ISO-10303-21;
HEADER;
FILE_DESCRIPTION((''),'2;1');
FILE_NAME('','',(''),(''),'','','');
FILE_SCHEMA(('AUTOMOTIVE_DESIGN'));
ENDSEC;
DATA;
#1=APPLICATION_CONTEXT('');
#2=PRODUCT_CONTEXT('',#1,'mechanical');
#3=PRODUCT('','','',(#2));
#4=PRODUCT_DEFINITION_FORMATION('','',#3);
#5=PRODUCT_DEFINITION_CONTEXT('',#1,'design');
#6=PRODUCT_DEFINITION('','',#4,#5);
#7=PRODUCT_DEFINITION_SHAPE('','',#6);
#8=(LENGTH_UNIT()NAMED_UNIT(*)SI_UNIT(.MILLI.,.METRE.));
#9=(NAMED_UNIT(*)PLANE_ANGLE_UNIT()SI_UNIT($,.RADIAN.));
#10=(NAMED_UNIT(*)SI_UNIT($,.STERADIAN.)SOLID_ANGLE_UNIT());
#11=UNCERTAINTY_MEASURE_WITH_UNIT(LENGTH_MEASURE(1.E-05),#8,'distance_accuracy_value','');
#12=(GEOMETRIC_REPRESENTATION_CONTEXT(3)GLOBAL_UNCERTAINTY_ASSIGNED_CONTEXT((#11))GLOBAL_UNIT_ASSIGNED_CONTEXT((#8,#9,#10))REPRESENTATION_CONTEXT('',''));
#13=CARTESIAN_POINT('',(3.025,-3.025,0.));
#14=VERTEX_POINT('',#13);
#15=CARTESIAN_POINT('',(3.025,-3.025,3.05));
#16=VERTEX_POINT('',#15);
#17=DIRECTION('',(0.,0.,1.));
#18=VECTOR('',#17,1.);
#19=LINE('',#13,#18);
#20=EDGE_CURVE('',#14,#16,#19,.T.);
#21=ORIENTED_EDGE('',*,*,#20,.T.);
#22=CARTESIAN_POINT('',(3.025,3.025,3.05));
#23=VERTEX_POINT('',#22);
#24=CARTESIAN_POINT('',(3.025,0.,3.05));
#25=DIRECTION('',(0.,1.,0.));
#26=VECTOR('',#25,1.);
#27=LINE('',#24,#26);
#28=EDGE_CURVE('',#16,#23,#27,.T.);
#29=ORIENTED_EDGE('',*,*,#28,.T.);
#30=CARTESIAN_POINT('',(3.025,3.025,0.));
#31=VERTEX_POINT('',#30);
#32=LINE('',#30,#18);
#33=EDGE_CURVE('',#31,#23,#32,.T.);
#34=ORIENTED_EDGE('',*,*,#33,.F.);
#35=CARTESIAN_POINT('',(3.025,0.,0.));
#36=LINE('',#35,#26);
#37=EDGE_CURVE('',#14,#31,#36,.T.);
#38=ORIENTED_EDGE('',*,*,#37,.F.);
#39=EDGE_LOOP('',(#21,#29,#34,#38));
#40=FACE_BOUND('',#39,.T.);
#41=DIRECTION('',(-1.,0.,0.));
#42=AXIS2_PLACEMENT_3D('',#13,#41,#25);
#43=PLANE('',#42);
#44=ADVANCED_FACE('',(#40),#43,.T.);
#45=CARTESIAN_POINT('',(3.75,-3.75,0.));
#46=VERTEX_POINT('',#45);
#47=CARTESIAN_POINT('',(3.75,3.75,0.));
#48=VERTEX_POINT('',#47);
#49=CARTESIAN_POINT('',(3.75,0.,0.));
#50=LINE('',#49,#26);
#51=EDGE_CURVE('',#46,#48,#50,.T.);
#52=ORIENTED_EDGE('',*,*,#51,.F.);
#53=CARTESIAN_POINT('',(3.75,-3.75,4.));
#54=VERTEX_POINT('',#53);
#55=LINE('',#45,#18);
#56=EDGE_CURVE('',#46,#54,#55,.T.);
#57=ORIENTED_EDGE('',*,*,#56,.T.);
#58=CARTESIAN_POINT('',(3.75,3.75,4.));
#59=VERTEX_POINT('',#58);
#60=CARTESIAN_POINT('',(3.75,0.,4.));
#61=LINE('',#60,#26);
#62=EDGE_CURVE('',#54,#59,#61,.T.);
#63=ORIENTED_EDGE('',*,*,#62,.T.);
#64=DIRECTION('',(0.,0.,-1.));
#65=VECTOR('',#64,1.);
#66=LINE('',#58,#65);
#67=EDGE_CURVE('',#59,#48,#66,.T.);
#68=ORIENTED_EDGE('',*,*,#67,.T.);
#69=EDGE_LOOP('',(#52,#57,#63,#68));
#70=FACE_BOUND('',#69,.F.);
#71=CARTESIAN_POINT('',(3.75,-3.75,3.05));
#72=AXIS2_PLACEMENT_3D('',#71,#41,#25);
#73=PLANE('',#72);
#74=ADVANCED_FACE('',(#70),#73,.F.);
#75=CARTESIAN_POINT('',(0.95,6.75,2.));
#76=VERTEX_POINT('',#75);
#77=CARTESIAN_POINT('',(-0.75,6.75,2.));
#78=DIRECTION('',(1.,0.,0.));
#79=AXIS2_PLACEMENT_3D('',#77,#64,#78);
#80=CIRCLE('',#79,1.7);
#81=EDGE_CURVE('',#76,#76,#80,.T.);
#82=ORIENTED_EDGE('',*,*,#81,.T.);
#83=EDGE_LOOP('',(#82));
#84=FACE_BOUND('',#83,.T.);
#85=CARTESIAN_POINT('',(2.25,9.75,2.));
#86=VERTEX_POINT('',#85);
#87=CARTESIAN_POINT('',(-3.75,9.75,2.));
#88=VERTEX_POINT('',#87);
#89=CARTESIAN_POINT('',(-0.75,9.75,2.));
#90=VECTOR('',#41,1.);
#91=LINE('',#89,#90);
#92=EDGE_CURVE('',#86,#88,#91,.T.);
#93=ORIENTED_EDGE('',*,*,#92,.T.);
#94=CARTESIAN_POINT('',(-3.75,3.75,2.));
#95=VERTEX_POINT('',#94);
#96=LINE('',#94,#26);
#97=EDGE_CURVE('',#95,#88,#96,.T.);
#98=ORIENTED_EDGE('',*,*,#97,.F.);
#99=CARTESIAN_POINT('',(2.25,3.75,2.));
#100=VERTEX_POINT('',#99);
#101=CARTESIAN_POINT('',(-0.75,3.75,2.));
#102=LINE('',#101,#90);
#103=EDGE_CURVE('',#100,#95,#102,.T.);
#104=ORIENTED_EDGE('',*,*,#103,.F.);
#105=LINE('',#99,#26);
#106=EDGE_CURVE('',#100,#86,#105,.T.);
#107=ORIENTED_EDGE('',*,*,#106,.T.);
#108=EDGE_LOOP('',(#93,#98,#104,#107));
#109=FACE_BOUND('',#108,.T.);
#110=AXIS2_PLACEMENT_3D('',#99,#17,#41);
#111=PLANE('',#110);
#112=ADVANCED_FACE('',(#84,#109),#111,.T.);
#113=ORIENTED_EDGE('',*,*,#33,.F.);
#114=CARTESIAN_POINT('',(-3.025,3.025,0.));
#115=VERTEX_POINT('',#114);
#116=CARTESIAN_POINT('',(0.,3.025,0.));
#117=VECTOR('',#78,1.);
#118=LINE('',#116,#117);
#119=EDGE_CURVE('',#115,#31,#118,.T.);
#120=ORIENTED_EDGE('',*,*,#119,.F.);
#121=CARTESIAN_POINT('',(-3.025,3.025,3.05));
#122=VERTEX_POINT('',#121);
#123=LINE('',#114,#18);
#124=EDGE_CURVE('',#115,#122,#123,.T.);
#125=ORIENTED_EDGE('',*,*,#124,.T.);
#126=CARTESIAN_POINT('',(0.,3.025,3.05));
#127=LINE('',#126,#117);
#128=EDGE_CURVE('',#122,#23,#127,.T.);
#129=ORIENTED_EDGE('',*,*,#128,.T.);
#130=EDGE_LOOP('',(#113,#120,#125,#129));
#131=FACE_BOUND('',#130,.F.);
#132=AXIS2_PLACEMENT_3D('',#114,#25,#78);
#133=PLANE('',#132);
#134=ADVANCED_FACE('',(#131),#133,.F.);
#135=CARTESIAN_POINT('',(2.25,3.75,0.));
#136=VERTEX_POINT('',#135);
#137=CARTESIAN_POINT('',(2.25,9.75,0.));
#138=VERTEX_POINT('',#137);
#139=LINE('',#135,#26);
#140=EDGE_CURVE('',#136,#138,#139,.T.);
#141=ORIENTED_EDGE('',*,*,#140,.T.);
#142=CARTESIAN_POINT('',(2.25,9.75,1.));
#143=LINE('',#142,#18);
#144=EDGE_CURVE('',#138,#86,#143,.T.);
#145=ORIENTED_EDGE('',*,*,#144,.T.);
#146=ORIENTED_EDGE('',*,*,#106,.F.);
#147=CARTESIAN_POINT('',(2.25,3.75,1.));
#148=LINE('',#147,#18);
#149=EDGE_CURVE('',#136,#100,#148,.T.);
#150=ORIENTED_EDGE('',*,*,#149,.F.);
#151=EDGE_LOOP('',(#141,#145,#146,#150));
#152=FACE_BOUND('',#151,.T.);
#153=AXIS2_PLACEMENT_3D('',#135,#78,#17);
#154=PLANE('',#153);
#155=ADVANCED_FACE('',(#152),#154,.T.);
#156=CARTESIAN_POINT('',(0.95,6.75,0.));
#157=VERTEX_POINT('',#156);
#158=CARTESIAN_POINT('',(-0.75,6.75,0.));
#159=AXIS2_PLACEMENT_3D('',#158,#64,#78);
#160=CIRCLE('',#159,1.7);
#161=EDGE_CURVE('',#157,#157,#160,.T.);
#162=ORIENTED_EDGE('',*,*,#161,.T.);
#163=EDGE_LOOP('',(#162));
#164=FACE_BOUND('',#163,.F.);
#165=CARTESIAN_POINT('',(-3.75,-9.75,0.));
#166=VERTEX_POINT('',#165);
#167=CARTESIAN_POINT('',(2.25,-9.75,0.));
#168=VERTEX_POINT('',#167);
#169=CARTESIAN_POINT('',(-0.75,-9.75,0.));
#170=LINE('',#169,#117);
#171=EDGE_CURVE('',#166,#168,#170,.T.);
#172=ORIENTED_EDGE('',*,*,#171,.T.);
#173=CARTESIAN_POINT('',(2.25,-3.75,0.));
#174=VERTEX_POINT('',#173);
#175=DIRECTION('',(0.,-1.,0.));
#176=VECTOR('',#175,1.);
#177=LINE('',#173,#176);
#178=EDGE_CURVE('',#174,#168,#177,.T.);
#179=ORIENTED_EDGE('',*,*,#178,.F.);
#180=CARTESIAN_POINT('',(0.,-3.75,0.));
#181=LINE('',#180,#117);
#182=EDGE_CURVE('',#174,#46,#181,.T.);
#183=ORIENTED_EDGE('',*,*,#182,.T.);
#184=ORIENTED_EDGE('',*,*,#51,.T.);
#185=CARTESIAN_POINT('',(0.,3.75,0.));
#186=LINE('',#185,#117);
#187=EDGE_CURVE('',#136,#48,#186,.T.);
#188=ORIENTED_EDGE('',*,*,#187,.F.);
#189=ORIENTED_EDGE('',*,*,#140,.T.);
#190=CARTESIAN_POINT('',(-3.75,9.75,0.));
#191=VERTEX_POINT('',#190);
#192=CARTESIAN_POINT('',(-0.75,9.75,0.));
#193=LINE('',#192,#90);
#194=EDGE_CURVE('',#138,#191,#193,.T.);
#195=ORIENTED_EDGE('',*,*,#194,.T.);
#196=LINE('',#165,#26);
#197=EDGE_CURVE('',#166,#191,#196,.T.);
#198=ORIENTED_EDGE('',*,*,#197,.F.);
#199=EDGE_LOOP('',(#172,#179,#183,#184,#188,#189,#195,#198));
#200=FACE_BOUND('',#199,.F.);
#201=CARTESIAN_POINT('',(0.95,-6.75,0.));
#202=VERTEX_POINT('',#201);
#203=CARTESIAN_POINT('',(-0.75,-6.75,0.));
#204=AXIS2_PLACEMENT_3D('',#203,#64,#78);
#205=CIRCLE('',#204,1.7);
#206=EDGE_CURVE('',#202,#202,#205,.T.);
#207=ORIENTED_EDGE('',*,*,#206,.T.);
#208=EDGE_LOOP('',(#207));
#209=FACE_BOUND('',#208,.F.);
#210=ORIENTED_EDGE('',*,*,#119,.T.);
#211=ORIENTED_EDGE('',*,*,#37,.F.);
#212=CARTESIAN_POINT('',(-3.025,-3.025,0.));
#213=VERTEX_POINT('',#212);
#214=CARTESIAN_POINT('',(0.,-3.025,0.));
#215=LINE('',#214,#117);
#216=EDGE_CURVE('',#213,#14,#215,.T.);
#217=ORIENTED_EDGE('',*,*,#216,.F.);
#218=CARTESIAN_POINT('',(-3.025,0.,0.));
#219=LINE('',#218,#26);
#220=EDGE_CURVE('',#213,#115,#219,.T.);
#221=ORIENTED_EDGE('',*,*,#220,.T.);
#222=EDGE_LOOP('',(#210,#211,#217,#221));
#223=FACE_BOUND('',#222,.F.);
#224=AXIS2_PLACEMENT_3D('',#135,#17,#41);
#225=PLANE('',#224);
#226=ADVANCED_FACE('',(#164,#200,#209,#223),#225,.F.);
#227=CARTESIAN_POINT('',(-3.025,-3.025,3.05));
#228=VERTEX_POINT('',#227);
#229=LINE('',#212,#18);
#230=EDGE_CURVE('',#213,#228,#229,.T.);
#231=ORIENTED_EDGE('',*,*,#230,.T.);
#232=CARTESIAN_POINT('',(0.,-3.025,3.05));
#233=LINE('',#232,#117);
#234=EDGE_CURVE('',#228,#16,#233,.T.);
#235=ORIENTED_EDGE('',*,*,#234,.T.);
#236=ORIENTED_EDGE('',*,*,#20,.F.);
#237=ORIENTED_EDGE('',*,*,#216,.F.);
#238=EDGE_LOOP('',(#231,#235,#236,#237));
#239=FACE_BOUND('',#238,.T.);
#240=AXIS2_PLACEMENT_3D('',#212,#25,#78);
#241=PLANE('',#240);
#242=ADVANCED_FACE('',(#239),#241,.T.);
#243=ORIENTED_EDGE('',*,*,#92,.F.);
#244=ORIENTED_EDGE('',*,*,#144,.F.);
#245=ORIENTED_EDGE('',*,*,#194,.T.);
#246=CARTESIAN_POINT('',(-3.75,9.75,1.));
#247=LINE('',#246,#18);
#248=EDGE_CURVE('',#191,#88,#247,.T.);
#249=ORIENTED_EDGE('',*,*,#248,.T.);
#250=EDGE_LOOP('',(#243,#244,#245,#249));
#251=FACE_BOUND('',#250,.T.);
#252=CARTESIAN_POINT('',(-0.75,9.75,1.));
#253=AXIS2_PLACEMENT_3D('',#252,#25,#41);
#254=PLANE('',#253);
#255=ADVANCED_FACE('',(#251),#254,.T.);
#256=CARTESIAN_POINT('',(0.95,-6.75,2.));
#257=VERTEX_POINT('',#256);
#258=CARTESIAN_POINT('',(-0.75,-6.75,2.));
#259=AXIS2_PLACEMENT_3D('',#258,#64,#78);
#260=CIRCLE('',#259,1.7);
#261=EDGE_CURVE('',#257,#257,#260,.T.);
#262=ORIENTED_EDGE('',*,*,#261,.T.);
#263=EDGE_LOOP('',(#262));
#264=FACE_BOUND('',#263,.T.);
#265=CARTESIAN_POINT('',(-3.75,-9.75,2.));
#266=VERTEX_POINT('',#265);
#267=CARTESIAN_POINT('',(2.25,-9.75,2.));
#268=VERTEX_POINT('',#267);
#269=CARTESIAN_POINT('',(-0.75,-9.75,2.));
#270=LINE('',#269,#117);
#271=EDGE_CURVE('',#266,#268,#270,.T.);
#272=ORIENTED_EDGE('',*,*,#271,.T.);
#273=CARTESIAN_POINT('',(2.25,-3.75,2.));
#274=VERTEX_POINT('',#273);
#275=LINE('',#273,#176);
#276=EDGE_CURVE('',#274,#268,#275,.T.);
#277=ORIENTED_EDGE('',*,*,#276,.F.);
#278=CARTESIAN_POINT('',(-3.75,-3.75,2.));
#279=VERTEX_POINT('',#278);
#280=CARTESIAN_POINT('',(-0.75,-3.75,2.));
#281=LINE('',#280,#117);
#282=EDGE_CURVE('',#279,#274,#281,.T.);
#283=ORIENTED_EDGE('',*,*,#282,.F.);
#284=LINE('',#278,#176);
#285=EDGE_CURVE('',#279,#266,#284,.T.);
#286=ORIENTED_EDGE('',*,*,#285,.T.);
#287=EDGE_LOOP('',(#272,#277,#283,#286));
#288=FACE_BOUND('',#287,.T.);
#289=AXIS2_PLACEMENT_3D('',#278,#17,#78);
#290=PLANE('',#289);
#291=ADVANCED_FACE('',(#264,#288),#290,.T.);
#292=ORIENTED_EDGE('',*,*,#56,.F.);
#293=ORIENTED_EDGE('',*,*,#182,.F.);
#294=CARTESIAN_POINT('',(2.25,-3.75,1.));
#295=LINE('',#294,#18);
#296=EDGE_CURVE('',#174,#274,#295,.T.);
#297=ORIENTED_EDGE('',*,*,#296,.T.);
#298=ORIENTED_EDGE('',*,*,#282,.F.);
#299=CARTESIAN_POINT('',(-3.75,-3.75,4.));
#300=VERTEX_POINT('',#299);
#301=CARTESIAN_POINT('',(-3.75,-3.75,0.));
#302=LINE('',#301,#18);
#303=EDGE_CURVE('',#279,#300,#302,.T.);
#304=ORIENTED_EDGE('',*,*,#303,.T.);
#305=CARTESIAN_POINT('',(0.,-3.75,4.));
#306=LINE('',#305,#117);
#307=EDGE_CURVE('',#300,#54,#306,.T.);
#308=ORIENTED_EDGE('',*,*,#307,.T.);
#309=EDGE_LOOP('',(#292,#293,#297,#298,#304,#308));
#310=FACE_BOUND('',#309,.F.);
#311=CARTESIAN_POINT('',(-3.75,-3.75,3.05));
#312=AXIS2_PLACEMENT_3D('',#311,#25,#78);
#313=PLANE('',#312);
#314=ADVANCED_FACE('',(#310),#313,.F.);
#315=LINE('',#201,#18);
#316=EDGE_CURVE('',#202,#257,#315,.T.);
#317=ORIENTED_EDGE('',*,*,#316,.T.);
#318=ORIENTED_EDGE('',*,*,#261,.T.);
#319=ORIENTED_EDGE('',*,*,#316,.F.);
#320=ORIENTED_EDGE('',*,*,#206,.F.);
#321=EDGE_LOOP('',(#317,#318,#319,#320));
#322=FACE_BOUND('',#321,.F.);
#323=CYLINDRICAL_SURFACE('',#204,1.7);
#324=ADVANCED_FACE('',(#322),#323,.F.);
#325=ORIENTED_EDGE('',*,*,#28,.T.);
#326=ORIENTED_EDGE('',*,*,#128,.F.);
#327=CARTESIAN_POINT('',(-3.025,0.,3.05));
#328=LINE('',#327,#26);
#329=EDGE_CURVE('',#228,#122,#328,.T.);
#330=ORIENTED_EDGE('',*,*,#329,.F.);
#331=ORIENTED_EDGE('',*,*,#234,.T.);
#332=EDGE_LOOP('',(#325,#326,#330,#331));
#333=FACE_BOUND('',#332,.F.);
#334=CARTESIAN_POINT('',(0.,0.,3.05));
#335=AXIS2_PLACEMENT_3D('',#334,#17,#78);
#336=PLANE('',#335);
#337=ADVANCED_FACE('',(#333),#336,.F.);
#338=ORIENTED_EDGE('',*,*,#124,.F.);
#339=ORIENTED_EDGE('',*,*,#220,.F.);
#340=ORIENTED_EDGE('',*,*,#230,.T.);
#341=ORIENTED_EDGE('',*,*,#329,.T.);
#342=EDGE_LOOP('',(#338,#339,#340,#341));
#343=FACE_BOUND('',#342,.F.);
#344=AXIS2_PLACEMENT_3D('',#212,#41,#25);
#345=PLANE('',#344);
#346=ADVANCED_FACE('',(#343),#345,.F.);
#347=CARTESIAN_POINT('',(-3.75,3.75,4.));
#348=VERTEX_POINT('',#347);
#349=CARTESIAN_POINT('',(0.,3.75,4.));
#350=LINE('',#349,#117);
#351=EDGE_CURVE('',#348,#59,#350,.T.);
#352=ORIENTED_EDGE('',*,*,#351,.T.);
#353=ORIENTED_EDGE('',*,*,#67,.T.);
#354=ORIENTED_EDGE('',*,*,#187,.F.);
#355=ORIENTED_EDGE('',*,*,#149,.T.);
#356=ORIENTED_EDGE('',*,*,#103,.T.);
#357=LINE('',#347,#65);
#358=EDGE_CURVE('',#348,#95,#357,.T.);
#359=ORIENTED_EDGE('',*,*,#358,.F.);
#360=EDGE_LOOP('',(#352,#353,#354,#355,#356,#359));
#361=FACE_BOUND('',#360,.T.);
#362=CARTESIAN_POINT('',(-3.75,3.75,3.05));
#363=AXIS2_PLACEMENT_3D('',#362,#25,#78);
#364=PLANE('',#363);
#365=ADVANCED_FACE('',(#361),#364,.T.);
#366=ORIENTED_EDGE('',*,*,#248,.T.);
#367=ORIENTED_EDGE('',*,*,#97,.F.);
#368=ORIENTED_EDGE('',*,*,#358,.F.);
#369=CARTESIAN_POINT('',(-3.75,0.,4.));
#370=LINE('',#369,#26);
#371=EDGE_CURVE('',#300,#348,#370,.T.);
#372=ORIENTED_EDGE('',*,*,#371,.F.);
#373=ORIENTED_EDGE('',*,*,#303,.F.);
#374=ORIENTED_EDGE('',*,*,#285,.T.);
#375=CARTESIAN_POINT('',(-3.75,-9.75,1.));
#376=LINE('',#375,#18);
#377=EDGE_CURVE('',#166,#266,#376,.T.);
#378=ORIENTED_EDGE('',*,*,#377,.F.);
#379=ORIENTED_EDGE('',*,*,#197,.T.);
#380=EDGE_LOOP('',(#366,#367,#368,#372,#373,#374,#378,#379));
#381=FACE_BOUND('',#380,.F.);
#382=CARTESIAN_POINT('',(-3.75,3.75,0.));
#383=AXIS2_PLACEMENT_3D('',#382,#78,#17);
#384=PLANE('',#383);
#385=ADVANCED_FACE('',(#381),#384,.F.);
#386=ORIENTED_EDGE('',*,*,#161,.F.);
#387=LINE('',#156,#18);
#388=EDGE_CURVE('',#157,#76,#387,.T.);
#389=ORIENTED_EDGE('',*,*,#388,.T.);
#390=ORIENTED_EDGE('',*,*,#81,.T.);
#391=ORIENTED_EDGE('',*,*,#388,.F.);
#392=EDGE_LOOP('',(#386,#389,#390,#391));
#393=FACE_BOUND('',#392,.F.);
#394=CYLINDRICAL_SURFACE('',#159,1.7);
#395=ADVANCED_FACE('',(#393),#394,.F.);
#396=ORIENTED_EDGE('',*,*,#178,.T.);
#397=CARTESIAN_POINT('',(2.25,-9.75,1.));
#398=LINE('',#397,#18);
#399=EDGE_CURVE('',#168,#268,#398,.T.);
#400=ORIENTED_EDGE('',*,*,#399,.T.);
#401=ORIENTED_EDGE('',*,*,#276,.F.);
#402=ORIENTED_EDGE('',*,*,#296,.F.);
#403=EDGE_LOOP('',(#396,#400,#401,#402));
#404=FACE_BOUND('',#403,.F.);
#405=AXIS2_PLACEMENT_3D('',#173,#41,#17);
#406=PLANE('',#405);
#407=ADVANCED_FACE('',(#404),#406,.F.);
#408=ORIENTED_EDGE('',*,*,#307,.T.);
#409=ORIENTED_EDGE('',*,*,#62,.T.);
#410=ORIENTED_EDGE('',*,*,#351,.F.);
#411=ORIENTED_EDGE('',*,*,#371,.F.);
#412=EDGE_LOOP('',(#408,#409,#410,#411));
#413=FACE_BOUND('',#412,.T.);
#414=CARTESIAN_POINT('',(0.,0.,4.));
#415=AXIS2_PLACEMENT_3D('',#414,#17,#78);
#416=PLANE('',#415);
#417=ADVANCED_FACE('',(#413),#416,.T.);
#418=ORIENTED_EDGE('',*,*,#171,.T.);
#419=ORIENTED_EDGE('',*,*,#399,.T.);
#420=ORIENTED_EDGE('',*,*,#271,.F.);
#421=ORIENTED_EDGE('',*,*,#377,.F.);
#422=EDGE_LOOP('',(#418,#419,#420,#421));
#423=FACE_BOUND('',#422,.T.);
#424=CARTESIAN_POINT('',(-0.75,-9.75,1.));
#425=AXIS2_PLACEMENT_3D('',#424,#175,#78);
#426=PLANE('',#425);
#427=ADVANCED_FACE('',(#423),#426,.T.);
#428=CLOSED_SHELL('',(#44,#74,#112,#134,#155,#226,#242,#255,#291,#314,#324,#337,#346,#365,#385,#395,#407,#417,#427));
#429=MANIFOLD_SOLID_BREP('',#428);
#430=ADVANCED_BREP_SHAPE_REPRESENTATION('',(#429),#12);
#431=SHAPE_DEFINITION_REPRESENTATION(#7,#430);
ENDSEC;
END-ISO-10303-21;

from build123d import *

# Parameters (mm, degrees)
SKETCH_W     = 7.5
SKETCH_H     = 7.5
SKETCH_W_2   = 6.05
SKETCH_H_2   = 6.05
PAD_DEPTH    = 3.05
SKETCH001_W  = 7.5
SKETCH001_H  = 7.5
PAD001_DEPTH = 0.95
SKETCH002_W  = 6
SKETCH002_H  = 2
PAD002_DEPTH = 6
SKETCH003_W  = 6
SKETCH003_H  = 2
PAD003_DEPTH = 6
SKETCH004_R  = 1.7
HOLE_DEPTH   = 25


with BuildPart() as part:
    # Sketch → Pad (new body)
    with BuildSketch(Plane.XY):
        Rectangle(SKETCH_W, SKETCH_H)
        Rectangle(SKETCH_W_2, SKETCH_H_2, mode=Mode.SUBTRACT)
    extrude(amount=PAD_DEPTH)

    # Sketch001 (on Face10 of Pad) → Pad001 (join)
    with BuildSketch(Plane.XY.offset(3.05)):
        Rectangle(SKETCH001_W, SKETCH001_H)
    extrude(amount=PAD001_DEPTH)

    # Sketch002 (on Face10 of Pad001) → Pad002 (join)
    with BuildSketch(Plane.XZ.offset(3.75)):
        with Locations((-0.75, 1)):
            Rectangle(SKETCH002_W, SKETCH002_H)
    extrude(amount=PAD002_DEPTH)

    # Sketch003 (on Face3 of Pad002) → Pad003 (join)
    with BuildSketch(Plane(origin=(0, 3.75, 0), x_dir=(-1, 0, 0), z_dir=(0, 1, 0))):
        with Locations((0.75, 1)):
            Rectangle(SKETCH003_W, SKETCH003_H)
    extrude(amount=PAD003_DEPTH)

    # Sketch004 (on Face12 of Pad003) → Hole (cut)
    with BuildSketch(Plane(origin=(0, 0, 0), x_dir=(1, 0, 0), z_dir=(0, 0, -1))):
        with Locations((-0.75, 6.75)):
            Circle(SKETCH004_R)
        with Locations((-0.75, -6.75)):
            Circle(SKETCH004_R)
    extrude(amount=-HOLE_DEPTH, mode=Mode.SUBTRACT)


solid = part.part
